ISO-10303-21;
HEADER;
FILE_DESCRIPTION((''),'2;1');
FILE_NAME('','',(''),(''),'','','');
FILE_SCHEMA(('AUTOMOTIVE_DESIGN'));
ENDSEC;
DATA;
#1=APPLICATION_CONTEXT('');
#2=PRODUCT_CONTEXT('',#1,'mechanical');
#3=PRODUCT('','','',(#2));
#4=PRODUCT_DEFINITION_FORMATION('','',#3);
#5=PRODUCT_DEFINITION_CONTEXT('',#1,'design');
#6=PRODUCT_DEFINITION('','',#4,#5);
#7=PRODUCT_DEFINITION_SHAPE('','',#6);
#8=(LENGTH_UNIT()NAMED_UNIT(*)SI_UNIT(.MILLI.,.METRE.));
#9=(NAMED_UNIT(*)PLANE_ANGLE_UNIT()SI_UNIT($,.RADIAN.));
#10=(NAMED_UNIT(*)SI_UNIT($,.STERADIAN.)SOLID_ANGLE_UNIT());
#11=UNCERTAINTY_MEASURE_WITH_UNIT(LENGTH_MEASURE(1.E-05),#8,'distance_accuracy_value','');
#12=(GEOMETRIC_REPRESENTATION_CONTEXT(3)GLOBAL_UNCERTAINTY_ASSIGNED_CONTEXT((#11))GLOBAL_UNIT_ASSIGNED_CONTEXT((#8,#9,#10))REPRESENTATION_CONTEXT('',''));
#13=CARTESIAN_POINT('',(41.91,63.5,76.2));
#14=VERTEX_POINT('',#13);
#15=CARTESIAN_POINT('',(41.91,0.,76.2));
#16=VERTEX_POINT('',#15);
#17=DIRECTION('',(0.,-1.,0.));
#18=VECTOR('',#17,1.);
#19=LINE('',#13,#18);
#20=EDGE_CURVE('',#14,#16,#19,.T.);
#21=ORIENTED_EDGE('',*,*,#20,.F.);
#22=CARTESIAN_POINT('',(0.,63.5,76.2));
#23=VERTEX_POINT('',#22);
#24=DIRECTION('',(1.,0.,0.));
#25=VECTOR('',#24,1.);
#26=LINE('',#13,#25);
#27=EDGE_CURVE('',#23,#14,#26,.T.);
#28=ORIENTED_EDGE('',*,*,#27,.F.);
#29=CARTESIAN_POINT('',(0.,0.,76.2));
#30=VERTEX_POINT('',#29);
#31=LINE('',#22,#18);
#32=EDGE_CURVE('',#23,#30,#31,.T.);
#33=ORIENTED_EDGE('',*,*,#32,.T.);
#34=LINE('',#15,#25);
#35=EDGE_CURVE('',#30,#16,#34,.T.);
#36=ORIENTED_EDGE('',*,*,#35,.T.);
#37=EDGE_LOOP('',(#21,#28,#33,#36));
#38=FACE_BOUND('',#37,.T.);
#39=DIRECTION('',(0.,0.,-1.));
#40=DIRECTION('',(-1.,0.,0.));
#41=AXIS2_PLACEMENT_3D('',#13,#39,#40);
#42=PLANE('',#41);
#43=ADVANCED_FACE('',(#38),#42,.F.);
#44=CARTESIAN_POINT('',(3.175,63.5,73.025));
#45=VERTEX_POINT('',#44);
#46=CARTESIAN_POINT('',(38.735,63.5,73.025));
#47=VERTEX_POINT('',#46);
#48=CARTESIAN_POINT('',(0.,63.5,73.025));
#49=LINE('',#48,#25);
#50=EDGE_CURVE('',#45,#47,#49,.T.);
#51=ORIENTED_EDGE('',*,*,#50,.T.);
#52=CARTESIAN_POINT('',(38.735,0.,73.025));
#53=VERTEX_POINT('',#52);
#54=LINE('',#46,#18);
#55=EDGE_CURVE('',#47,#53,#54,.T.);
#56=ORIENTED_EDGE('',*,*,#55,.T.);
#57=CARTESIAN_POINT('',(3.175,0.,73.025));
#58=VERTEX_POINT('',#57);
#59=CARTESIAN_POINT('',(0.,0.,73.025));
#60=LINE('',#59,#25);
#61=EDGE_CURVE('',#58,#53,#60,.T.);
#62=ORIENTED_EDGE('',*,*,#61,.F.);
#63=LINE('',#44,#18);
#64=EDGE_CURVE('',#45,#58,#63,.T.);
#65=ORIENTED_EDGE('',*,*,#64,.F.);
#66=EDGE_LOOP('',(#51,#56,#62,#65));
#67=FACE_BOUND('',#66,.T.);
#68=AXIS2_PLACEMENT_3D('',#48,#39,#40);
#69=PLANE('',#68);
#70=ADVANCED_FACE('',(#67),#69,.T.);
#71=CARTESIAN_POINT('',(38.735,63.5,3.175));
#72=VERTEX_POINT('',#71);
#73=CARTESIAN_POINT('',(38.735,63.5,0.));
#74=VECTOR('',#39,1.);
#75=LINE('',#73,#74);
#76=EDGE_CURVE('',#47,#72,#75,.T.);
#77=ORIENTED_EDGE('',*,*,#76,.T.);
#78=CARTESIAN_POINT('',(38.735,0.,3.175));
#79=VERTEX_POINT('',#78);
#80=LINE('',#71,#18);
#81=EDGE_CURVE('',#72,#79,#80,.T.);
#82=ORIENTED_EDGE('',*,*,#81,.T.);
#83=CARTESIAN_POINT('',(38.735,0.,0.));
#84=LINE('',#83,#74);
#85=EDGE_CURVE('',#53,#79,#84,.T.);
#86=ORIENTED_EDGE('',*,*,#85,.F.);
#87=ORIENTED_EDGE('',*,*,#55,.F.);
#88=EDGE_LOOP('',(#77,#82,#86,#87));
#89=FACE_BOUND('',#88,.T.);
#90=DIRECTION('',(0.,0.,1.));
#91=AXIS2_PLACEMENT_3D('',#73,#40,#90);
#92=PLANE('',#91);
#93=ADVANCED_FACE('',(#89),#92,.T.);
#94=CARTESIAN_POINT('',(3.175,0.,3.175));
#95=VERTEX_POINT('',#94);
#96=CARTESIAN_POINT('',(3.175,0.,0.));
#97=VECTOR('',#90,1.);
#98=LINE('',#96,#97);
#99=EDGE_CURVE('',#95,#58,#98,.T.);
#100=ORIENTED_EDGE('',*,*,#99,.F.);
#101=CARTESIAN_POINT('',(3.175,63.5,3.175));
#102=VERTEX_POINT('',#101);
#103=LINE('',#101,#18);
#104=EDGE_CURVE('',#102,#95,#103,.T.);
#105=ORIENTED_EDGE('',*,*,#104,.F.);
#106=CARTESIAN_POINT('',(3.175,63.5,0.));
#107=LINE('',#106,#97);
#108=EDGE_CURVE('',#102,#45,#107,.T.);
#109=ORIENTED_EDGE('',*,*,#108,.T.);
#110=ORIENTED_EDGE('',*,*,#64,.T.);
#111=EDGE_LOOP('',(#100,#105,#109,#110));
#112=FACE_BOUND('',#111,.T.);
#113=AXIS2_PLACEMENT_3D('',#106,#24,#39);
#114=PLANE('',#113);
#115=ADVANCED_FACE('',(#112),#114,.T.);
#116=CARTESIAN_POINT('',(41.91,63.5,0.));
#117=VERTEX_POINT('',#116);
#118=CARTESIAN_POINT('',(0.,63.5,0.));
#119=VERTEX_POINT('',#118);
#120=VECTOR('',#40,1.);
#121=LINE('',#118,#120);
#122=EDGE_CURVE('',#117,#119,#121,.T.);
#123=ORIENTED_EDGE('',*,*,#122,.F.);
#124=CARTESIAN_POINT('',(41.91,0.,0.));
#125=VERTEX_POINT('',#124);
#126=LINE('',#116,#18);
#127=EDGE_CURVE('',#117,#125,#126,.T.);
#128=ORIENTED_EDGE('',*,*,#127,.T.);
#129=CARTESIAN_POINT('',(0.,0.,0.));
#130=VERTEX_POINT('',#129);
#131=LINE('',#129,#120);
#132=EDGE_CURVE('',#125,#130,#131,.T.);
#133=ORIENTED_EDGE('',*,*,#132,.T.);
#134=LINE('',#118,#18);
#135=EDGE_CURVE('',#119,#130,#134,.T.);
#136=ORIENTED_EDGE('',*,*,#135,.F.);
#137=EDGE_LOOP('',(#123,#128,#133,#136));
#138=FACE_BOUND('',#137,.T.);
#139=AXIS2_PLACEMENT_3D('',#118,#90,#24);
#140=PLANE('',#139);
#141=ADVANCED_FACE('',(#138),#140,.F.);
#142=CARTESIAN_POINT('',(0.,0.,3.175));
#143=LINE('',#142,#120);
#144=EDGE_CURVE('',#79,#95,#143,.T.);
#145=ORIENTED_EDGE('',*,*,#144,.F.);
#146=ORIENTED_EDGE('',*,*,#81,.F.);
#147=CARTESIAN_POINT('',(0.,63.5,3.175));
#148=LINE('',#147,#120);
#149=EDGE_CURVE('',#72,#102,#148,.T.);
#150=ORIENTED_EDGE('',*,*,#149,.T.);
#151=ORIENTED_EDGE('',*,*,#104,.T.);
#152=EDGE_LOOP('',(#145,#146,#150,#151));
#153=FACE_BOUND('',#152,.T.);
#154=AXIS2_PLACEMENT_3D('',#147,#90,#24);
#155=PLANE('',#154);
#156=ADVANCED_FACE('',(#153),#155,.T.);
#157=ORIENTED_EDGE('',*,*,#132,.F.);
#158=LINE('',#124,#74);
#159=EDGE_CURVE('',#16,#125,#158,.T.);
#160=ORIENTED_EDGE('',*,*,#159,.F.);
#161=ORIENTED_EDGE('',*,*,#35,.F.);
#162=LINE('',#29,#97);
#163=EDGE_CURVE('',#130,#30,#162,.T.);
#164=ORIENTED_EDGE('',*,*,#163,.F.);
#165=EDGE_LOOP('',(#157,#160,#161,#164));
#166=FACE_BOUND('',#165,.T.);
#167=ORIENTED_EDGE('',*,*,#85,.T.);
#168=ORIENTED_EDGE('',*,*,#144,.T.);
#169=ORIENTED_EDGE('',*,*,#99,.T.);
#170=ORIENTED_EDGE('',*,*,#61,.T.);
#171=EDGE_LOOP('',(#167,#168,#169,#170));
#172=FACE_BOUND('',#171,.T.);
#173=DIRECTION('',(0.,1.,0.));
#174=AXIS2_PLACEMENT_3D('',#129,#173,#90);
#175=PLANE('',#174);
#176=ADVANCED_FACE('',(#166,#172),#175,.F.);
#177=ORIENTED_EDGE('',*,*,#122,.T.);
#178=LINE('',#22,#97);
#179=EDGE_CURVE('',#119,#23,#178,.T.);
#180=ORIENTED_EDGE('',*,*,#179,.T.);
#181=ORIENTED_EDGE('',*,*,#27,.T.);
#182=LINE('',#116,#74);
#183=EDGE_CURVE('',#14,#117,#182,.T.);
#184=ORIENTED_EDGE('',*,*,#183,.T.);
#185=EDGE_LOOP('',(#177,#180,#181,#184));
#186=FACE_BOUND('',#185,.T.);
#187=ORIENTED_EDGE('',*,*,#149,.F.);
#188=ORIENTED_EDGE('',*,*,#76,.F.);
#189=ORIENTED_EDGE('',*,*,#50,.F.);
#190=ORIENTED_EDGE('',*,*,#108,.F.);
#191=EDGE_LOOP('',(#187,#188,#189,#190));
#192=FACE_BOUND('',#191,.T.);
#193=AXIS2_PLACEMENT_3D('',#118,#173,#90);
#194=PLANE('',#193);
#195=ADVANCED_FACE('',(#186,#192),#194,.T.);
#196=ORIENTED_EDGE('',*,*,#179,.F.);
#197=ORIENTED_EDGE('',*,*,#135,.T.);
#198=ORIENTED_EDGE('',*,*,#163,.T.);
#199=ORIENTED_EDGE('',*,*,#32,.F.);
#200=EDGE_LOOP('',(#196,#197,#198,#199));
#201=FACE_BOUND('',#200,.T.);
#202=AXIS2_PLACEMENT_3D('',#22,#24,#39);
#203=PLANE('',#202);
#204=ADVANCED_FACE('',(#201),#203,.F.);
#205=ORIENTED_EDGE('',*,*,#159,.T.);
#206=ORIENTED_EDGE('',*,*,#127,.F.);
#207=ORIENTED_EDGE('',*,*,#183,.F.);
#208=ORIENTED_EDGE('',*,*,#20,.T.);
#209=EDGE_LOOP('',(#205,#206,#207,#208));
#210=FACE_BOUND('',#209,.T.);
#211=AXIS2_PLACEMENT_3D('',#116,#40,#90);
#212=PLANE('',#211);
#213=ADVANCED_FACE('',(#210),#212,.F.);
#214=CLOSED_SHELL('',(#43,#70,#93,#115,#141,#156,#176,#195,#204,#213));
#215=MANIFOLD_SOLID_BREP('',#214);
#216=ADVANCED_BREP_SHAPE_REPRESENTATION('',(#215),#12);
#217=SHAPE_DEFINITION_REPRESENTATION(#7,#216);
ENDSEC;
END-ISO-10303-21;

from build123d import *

# Parameters (mm, degrees)
SKETCH1_W           = 41.91
SKETCH1_H           = 76.2
SKETCH1_W_2         = 35.56
SKETCH1_H_2         = 69.85
EXTRUDE_THIN1_DEPTH = 63.5


with BuildPart() as part:
    # Sketch1 → Extrude-Thin1 (new body)
    with BuildSketch(Plane(origin=(0, 0, 0), x_dir=(1, 0, 0), z_dir=(0, 1, 0))):
        with Locations((20.955, -38.1)):
            Rectangle(SKETCH1_W, SKETCH1_H)
        with Locations((20.955, -38.1)):
            Rectangle(SKETCH1_W_2, SKETCH1_H_2, mode=Mode.SUBTRACT)
    extrude(amount=EXTRUDE_THIN1_DEPTH)


solid = part.part
